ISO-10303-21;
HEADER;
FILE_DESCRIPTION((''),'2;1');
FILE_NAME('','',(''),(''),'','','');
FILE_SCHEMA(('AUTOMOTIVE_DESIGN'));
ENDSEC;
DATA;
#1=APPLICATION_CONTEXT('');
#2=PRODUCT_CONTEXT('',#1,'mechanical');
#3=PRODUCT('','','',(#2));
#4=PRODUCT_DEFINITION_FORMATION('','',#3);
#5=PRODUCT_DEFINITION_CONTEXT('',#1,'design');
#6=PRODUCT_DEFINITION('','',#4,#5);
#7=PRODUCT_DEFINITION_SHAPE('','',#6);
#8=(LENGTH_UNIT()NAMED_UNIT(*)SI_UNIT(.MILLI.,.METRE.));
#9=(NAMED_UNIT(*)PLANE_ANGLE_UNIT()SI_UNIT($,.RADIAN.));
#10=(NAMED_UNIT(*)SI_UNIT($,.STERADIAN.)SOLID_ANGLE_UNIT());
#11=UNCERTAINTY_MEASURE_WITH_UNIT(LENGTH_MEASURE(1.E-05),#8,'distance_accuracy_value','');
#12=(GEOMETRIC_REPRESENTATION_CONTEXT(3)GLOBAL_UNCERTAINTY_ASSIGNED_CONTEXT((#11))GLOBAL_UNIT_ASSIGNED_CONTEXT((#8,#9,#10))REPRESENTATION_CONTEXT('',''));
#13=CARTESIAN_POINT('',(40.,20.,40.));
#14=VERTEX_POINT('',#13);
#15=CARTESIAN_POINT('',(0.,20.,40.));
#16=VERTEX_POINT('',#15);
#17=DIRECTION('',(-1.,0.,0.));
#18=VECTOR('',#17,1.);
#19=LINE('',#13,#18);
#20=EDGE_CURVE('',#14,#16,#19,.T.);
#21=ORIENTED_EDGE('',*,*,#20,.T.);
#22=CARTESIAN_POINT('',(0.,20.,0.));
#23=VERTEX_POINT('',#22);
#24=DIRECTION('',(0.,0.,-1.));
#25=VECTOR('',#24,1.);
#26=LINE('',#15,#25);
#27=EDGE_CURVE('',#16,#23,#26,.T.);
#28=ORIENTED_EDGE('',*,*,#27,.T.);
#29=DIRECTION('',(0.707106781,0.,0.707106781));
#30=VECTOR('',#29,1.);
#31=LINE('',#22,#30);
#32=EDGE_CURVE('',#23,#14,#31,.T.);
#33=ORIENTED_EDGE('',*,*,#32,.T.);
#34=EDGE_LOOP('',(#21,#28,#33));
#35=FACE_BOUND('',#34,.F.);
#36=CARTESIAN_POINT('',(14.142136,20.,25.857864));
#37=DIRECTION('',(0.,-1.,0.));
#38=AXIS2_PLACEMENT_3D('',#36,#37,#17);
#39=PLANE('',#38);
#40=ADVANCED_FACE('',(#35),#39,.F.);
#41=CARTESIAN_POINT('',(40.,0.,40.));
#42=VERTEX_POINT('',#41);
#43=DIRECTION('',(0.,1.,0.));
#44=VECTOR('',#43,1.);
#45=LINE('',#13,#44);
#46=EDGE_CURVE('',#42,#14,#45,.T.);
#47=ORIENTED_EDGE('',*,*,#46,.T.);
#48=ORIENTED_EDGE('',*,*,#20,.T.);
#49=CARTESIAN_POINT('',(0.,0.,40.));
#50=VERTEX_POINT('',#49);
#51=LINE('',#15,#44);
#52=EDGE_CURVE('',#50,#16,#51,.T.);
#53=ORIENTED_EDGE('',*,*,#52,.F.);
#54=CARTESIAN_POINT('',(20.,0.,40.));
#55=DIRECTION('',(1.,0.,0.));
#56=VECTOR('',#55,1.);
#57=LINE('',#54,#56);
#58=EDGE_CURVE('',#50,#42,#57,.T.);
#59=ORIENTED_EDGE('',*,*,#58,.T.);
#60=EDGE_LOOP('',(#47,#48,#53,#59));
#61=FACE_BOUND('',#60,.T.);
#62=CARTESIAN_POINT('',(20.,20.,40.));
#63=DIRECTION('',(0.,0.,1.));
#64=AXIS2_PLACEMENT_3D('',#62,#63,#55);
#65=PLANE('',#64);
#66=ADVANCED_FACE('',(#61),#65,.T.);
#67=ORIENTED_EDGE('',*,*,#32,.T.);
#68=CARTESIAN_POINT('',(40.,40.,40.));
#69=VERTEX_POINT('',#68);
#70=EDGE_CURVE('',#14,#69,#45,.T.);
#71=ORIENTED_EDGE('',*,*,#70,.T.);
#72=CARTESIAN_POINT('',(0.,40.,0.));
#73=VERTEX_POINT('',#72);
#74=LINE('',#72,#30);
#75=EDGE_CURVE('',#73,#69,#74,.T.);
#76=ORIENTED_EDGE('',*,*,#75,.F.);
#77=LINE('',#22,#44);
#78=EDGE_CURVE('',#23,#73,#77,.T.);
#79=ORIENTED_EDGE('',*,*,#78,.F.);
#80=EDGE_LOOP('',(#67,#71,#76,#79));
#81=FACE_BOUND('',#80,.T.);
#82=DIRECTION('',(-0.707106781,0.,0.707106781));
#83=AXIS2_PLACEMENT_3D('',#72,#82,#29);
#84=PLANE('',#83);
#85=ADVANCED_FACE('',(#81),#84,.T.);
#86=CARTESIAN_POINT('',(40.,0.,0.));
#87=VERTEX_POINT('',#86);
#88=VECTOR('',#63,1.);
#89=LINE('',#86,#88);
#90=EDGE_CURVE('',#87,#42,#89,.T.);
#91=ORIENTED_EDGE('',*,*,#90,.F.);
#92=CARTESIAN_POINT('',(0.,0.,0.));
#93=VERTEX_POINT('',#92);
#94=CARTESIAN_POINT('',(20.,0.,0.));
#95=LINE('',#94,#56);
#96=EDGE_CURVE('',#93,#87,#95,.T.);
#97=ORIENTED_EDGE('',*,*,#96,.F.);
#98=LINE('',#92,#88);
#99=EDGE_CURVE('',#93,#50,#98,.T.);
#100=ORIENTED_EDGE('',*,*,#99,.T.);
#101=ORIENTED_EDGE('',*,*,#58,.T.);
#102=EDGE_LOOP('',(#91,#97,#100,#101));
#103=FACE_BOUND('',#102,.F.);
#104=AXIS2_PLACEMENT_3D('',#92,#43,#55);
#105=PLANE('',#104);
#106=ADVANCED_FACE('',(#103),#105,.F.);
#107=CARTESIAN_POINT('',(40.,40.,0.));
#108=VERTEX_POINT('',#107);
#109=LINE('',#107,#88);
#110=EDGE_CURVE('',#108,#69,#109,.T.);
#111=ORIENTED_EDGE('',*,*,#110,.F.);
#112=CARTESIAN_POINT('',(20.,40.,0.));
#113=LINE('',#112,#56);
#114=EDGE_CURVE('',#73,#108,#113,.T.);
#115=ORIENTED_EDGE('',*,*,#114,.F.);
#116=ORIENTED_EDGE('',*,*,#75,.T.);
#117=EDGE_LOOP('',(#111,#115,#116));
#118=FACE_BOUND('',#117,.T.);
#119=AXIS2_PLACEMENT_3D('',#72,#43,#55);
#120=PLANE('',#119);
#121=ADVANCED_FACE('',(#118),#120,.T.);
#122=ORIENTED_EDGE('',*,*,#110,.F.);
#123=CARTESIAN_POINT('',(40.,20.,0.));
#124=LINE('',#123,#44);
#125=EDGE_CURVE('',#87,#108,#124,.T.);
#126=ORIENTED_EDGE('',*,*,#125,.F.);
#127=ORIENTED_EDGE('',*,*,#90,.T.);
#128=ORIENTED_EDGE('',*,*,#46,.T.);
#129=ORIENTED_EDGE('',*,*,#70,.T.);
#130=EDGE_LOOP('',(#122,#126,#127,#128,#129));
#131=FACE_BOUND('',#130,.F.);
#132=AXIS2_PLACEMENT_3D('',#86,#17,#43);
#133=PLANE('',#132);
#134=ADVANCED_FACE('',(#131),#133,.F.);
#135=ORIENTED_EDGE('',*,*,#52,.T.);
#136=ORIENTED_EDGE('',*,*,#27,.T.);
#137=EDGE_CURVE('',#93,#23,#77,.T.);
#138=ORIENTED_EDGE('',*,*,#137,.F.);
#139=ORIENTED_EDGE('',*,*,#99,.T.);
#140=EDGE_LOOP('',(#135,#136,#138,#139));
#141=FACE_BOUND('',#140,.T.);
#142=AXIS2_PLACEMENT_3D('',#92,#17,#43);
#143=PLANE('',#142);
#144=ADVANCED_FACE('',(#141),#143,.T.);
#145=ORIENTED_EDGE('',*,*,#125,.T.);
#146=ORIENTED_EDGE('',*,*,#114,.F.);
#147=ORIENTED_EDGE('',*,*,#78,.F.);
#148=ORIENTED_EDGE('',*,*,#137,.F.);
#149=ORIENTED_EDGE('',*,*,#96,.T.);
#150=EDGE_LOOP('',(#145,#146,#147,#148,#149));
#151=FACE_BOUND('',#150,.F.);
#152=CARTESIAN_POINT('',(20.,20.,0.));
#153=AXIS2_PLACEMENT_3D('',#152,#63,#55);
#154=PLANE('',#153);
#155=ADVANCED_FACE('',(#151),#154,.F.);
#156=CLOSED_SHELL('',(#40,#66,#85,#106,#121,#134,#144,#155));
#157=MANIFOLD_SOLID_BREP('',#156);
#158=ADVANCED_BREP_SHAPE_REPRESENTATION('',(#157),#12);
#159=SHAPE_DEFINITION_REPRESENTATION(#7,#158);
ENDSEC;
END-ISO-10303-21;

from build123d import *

# Parameters (mm, degrees)
SKETCH1_W           = 40
SKETCH1_H           = 40
BOSS_EXTRUDE1_DEPTH = 40
CUT_EXTRUDE2_DEPTH  = 20


with BuildPart() as part:
    # Sketch1 → Boss-Extrude1 (new body)
    with BuildSketch(Plane.XY):
        with Locations((20, 20)):
            Rectangle(SKETCH1_W, SKETCH1_H)
    extrude(amount=BOSS_EXTRUDE1_DEPTH)

    # Sketch4 → Cut-Extrude2 (cut)
    with BuildSketch(Plane(origin=(0, 40, 0), x_dir=(1, 0, 0), z_dir=(0, 1, 0))):
        Polygon((0, 0), (40, -40), (0, -40), align=None)
    extrude(amount=-CUT_EXTRUDE2_DEPTH, mode=Mode.SUBTRACT)


solid = part.part
